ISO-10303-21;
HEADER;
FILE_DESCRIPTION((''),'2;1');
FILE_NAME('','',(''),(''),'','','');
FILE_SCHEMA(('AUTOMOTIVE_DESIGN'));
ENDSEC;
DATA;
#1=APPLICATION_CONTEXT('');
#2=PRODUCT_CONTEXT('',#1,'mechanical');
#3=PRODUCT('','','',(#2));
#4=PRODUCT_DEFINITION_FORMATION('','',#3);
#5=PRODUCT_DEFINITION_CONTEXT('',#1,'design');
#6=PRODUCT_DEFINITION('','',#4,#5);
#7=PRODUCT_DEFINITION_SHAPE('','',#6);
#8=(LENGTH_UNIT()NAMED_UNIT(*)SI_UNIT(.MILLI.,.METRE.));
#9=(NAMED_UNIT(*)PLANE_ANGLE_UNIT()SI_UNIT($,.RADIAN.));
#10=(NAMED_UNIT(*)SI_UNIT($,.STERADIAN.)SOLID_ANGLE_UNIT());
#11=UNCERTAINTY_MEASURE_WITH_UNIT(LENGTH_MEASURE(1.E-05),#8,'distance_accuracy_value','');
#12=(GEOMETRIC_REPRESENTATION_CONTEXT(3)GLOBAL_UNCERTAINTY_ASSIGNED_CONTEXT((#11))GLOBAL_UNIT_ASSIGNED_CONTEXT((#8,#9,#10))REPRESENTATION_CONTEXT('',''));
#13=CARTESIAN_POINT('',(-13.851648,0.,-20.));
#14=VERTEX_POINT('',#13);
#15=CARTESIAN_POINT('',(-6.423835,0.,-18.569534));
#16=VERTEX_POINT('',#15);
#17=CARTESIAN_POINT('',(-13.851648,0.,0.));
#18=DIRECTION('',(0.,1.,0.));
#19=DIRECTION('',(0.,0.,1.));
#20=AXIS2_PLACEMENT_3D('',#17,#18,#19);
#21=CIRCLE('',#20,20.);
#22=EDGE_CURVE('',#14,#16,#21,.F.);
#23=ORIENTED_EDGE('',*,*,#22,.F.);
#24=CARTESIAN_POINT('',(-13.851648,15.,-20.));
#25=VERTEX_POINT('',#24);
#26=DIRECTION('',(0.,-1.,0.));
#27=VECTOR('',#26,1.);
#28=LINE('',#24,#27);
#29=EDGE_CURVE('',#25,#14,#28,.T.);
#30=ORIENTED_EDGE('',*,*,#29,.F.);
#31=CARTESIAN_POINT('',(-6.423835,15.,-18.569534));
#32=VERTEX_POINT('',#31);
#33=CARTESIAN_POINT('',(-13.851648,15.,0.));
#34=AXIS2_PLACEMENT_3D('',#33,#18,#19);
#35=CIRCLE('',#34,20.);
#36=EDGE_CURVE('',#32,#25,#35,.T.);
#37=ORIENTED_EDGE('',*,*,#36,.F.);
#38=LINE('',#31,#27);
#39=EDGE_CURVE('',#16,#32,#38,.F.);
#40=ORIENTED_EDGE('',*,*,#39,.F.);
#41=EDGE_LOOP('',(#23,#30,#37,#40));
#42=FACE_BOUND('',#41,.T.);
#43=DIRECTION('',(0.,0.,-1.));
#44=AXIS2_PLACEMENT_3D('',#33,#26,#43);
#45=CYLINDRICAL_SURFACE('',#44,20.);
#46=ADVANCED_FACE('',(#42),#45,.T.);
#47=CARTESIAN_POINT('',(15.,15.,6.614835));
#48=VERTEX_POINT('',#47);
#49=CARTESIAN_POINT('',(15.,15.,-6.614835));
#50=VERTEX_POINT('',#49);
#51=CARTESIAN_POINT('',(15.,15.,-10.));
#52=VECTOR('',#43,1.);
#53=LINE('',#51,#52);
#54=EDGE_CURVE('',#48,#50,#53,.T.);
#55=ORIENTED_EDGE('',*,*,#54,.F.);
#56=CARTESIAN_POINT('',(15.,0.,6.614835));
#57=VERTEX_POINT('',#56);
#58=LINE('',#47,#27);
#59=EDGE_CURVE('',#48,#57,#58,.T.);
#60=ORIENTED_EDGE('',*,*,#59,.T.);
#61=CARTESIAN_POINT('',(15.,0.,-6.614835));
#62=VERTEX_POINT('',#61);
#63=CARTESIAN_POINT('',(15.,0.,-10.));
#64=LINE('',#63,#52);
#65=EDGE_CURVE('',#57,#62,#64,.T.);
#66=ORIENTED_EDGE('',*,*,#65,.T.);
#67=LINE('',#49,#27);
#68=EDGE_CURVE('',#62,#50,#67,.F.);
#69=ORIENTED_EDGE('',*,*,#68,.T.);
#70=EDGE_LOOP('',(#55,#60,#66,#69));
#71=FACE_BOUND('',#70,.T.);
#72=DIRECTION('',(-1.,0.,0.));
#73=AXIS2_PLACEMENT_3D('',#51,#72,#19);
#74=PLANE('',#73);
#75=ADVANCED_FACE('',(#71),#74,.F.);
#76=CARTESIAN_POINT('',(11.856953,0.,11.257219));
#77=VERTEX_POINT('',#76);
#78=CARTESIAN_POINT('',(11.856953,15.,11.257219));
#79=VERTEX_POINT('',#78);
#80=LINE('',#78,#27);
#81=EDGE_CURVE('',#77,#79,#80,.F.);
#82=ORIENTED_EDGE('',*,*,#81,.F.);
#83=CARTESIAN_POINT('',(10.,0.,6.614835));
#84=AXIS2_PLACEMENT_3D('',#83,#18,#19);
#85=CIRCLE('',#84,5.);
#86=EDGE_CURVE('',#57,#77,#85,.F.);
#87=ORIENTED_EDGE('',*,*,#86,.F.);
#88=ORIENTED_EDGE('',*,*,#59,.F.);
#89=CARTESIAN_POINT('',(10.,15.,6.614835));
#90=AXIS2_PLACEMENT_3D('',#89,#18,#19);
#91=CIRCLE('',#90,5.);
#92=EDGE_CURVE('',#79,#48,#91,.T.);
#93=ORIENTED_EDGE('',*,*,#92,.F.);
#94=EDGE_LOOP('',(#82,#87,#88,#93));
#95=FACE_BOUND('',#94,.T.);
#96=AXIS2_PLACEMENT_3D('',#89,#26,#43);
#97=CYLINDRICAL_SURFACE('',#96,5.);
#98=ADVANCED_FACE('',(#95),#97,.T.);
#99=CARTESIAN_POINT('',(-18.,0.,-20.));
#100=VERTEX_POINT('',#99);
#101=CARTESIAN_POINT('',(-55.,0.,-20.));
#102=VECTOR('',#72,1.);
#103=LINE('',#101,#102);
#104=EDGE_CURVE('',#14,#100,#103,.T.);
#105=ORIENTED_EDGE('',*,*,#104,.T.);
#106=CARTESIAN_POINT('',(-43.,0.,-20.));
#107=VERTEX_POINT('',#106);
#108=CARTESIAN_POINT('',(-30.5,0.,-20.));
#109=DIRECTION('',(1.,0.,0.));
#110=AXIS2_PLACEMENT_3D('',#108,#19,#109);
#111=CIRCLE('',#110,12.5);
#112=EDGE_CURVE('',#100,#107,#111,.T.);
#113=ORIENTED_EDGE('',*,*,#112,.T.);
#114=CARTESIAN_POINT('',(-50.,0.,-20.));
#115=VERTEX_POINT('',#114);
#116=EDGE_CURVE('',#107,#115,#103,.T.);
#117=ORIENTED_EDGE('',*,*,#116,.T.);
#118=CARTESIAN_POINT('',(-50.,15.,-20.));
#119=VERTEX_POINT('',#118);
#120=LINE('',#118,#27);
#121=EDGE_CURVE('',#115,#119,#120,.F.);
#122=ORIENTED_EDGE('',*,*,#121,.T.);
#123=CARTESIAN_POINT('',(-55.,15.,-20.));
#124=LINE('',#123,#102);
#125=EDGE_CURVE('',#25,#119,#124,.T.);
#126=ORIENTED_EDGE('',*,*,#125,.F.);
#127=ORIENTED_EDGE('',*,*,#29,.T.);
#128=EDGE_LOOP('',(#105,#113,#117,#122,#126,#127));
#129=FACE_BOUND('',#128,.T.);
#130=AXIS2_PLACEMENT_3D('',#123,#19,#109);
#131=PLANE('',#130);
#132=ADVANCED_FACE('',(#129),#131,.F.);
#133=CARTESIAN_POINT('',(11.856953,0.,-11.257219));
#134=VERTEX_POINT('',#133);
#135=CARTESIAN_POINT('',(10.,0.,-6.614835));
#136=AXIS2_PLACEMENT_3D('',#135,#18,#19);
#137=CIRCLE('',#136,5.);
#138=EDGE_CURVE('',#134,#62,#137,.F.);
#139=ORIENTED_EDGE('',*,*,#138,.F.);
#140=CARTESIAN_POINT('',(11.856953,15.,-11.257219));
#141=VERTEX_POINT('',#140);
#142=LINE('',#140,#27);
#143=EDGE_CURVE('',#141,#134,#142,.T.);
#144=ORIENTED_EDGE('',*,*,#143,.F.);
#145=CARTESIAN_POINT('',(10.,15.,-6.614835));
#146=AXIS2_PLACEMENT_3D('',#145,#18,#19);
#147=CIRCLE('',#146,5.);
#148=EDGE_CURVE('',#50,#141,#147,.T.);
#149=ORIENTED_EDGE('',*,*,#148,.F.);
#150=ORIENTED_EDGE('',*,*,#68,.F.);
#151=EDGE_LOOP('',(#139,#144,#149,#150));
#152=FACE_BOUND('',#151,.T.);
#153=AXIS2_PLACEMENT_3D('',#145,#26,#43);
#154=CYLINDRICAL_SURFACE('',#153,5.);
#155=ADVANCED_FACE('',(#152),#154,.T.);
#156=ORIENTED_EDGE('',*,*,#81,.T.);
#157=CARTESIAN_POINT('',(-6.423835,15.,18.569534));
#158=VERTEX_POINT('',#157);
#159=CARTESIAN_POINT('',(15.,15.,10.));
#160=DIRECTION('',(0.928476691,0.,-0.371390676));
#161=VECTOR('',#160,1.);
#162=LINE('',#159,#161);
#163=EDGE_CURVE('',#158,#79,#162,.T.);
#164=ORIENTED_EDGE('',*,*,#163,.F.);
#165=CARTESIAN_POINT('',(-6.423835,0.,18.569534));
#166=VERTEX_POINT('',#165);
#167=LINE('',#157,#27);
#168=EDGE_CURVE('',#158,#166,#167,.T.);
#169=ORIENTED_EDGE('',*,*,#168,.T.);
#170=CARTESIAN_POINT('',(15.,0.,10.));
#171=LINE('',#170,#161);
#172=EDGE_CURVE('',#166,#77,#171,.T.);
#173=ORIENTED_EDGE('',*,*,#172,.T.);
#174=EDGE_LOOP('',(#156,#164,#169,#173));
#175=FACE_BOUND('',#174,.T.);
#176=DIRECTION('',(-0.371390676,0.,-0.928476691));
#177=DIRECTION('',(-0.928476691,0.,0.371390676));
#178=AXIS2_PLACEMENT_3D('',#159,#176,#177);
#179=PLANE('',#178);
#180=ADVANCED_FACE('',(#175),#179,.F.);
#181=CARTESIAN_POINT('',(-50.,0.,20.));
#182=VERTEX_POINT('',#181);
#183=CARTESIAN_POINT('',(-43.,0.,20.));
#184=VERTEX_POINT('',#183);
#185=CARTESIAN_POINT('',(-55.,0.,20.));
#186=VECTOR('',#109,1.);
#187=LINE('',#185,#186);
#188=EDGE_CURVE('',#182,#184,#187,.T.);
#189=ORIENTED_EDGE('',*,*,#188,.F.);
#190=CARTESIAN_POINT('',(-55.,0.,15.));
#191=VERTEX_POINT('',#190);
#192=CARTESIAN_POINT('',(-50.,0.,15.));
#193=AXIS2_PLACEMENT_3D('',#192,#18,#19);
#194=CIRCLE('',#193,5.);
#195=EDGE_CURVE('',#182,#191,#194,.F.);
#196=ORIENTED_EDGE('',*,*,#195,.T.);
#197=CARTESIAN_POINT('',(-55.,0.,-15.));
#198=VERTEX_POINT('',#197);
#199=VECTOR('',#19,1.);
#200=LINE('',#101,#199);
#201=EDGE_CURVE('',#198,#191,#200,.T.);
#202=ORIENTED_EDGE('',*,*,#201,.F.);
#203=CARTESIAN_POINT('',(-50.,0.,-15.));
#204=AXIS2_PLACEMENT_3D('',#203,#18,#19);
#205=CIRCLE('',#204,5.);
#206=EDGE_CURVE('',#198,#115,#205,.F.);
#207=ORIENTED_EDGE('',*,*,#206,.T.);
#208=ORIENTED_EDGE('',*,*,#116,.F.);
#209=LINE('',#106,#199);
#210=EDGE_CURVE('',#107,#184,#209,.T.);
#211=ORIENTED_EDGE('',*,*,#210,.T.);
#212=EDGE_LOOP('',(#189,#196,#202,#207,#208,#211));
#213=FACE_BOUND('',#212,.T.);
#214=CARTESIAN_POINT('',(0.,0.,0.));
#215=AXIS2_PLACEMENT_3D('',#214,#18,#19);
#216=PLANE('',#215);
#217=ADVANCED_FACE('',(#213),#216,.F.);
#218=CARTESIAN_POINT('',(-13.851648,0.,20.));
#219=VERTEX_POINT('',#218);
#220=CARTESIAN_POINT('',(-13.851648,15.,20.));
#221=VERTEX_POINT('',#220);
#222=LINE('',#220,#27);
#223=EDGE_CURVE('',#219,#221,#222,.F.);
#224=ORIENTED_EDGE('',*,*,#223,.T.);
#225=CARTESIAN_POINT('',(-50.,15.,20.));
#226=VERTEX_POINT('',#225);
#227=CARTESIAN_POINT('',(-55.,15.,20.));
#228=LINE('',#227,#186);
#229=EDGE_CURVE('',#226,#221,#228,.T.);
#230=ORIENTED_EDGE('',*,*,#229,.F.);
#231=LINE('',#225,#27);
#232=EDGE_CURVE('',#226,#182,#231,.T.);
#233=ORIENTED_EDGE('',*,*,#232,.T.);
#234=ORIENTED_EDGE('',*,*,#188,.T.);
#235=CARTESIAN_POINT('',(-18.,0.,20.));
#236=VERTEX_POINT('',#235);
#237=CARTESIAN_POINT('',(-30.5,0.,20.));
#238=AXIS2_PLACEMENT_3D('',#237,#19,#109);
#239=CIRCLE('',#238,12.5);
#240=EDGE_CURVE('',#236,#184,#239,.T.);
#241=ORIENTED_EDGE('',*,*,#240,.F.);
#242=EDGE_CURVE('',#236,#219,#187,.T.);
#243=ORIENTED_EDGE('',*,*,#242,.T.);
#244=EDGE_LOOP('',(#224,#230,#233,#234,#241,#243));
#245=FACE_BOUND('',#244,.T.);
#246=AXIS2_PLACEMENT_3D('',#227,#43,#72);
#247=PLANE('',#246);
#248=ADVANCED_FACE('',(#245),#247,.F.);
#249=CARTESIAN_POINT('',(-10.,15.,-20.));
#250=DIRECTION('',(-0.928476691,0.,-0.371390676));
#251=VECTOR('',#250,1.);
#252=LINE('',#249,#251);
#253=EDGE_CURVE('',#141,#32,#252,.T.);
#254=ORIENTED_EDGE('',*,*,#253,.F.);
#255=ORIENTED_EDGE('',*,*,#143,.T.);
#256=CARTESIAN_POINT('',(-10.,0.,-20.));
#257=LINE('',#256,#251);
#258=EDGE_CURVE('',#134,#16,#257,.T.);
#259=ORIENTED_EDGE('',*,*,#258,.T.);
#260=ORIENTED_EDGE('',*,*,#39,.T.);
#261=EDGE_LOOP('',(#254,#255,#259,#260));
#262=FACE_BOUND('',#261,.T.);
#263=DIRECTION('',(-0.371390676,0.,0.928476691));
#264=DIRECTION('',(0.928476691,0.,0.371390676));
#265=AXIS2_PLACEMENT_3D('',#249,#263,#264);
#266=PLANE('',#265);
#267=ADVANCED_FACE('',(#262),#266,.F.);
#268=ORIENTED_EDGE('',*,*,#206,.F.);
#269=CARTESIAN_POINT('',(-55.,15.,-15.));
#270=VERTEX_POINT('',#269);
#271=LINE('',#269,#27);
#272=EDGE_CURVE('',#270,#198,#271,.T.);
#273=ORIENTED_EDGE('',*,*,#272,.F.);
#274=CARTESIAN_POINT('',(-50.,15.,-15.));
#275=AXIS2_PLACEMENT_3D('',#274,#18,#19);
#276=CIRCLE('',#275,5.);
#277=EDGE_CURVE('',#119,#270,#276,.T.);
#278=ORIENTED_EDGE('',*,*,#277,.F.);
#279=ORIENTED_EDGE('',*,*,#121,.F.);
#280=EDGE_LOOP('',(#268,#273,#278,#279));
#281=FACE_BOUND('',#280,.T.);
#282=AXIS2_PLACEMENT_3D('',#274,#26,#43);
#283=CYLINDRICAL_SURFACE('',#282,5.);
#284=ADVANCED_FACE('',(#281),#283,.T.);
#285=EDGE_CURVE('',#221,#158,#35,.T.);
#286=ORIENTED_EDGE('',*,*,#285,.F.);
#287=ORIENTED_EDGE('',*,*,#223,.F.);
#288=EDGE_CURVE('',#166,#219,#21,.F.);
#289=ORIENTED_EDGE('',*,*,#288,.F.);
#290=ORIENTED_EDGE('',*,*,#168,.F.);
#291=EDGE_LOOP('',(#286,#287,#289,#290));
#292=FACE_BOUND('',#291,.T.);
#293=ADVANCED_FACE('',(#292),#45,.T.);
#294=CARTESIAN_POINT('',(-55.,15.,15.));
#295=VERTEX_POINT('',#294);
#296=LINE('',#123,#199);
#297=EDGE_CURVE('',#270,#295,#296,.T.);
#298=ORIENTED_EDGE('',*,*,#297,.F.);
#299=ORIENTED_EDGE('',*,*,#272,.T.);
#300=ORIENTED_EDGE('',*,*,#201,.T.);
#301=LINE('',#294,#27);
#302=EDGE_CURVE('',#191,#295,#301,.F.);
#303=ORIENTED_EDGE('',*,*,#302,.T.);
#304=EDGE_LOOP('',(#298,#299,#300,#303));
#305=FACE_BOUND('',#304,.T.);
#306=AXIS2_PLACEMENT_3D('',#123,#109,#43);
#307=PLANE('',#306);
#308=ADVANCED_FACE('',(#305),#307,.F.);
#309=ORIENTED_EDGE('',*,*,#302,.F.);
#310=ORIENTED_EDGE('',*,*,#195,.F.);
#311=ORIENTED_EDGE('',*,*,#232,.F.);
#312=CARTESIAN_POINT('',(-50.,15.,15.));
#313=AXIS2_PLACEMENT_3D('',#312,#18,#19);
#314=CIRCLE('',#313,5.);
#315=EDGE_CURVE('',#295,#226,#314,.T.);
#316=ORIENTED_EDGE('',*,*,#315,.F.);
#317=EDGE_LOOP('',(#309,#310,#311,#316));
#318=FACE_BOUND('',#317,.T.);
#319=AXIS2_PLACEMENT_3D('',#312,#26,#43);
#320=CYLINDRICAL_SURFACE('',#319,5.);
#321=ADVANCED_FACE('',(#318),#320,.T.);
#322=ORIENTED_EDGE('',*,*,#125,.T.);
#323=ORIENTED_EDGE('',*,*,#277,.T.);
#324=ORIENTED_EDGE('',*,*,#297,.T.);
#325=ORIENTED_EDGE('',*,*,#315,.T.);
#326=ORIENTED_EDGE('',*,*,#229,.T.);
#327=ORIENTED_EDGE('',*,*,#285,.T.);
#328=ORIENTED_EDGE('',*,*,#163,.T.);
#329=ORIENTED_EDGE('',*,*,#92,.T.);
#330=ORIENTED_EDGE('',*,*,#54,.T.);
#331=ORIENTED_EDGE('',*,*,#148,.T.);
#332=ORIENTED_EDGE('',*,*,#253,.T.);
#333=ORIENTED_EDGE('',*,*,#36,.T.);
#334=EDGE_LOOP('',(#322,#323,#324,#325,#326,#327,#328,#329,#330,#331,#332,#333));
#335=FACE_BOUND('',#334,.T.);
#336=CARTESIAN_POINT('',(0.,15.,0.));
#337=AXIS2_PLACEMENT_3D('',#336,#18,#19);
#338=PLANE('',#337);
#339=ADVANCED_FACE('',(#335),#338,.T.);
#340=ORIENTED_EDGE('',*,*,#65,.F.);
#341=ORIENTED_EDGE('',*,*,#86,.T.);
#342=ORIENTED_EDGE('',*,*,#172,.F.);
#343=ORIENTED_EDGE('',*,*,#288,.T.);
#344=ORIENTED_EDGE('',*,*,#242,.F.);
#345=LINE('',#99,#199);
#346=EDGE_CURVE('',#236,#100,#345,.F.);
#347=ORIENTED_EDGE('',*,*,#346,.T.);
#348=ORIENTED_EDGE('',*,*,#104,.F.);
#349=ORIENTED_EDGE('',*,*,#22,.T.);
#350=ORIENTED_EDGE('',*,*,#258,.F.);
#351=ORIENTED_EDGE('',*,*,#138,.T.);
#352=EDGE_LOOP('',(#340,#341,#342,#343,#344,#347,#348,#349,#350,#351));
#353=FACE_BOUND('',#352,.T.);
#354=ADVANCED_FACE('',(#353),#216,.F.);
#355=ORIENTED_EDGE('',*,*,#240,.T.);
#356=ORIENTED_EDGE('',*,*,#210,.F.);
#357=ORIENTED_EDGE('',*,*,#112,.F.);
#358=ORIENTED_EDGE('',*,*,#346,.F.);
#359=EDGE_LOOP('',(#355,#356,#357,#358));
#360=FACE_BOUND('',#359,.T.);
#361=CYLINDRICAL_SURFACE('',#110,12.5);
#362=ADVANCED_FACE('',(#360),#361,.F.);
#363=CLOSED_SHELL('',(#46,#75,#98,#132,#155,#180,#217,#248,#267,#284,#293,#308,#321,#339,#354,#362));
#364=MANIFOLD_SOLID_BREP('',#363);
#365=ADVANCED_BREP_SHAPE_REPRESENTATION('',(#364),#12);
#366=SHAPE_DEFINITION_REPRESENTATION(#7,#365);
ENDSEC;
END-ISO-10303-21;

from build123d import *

# Parameters (mm, degrees)
BOSS_EXTRUDE1_DEPTH     = 15
CUT_EXTRUDE1_DEPTH      = 61.415229868
CUT_EXTRUDE1_DEPTH_BACK = 61.415229868
SKETCH2_R               = 12.5
FILLET2_R               = 5
FILLET3_R               = 20


with BuildPart() as part:
    # Sketch1 → Boss-Extrude1 (new body)
    with BuildSketch(Plane(origin=(0, 0, 0), x_dir=(1, 0, 0), z_dir=(0, 1, 0))):
        Polygon((-10, 20), (15, 10), (15, -10), (-10, -20), (-55, -20), (-55, 20), align=None)
    extrude(amount=BOSS_EXTRUDE1_DEPTH)

    # Sketch2 → Cut-Extrude1 (cut, two sides: drawn at the far end of the back side and taken through both)
    with BuildSketch(Plane.XY.offset(-CUT_EXTRUDE1_DEPTH_BACK)):
        with Locations((-30.5, 0)):
            Circle(SKETCH2_R)
    extrude(amount=CUT_EXTRUDE1_DEPTH + CUT_EXTRUDE1_DEPTH_BACK, mode=Mode.SUBTRACT)

    # Fillet2
    fillet2_edges = [part.edges().sort_by_distance(p)[0] for p in [
        (-55, 7.5, 20),
        (-55, 7.5, -20),
        (15, 7.5, -10),
        (15, 7.5, 10),
    ]]
    fillet(fillet2_edges, radius=FILLET2_R)

    # Fillet3
    fillet3_edges = [part.edges().sort_by_distance(p)[0] for p in [
        (-10, 7.5, 20),
        (-10, 7.5, -20),
    ]]
    fillet(fillet3_edges, radius=FILLET3_R)


solid = part.part
